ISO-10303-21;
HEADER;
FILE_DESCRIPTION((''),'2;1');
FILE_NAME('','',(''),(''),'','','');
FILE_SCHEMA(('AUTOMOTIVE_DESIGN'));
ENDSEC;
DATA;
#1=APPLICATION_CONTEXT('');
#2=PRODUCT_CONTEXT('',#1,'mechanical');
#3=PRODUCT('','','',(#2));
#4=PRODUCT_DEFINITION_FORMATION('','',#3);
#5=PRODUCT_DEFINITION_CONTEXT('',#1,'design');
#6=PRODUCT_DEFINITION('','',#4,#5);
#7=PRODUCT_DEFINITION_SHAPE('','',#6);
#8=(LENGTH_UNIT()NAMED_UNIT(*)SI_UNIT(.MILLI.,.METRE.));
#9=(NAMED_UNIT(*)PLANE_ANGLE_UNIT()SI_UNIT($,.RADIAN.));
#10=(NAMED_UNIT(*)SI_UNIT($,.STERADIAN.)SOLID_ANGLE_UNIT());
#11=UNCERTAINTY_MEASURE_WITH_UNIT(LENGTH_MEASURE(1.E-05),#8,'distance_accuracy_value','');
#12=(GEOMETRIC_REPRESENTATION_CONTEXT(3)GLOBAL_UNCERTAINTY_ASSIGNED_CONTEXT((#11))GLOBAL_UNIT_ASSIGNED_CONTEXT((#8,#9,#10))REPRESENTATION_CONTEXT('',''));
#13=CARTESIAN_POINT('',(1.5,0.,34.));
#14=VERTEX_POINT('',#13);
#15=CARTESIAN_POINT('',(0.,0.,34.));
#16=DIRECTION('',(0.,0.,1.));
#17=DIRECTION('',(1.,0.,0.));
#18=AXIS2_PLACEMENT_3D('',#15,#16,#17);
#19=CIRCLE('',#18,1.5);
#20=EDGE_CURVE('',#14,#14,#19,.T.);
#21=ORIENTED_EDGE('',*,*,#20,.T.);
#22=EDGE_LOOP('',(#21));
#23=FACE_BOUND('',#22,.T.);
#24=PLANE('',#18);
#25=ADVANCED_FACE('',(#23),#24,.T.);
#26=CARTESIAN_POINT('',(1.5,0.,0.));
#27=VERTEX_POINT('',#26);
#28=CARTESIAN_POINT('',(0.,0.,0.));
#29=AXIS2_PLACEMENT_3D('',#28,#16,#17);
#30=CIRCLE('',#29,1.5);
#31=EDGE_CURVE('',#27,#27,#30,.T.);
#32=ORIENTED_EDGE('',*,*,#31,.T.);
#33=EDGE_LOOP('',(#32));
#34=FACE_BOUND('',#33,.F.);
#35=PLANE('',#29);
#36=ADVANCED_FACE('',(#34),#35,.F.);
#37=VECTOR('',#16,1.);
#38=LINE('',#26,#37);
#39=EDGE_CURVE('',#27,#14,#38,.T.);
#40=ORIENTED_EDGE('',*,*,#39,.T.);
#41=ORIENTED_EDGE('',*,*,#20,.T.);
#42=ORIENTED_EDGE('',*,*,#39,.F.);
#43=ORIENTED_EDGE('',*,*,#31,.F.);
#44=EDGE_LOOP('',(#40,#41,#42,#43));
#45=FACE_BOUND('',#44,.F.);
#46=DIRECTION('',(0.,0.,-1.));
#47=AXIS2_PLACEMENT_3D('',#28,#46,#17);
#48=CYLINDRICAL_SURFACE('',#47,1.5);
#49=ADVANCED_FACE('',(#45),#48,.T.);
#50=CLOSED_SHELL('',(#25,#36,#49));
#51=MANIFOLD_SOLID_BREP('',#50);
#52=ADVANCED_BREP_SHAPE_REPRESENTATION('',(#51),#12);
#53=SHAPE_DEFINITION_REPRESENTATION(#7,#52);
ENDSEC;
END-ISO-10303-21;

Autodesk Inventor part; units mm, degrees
ref_plane "YZ Plane" through (0, 0, 0) normal (1, 0, 0) x (0, 1, 0)
ref_plane "XZ Plane" through (0, 0, 0) normal (0, 1, 0) x (-1, 0, 0)
ref_plane "XY Plane" through (0, 0, 0) normal (0, 0, 1) x (1, 0, 0)
sketch "Sketch1" plane through (0, 0, 0) normal (0, 0, 1) x (1, 0, 0)
  circle A0 centre (0, 0) radius 1.5
  dimension "d0" = 3
extrude "Extrusion1" add sketch "Sketch1" along normal blind 34
properties part number "3mm_pin" material "Steel"
